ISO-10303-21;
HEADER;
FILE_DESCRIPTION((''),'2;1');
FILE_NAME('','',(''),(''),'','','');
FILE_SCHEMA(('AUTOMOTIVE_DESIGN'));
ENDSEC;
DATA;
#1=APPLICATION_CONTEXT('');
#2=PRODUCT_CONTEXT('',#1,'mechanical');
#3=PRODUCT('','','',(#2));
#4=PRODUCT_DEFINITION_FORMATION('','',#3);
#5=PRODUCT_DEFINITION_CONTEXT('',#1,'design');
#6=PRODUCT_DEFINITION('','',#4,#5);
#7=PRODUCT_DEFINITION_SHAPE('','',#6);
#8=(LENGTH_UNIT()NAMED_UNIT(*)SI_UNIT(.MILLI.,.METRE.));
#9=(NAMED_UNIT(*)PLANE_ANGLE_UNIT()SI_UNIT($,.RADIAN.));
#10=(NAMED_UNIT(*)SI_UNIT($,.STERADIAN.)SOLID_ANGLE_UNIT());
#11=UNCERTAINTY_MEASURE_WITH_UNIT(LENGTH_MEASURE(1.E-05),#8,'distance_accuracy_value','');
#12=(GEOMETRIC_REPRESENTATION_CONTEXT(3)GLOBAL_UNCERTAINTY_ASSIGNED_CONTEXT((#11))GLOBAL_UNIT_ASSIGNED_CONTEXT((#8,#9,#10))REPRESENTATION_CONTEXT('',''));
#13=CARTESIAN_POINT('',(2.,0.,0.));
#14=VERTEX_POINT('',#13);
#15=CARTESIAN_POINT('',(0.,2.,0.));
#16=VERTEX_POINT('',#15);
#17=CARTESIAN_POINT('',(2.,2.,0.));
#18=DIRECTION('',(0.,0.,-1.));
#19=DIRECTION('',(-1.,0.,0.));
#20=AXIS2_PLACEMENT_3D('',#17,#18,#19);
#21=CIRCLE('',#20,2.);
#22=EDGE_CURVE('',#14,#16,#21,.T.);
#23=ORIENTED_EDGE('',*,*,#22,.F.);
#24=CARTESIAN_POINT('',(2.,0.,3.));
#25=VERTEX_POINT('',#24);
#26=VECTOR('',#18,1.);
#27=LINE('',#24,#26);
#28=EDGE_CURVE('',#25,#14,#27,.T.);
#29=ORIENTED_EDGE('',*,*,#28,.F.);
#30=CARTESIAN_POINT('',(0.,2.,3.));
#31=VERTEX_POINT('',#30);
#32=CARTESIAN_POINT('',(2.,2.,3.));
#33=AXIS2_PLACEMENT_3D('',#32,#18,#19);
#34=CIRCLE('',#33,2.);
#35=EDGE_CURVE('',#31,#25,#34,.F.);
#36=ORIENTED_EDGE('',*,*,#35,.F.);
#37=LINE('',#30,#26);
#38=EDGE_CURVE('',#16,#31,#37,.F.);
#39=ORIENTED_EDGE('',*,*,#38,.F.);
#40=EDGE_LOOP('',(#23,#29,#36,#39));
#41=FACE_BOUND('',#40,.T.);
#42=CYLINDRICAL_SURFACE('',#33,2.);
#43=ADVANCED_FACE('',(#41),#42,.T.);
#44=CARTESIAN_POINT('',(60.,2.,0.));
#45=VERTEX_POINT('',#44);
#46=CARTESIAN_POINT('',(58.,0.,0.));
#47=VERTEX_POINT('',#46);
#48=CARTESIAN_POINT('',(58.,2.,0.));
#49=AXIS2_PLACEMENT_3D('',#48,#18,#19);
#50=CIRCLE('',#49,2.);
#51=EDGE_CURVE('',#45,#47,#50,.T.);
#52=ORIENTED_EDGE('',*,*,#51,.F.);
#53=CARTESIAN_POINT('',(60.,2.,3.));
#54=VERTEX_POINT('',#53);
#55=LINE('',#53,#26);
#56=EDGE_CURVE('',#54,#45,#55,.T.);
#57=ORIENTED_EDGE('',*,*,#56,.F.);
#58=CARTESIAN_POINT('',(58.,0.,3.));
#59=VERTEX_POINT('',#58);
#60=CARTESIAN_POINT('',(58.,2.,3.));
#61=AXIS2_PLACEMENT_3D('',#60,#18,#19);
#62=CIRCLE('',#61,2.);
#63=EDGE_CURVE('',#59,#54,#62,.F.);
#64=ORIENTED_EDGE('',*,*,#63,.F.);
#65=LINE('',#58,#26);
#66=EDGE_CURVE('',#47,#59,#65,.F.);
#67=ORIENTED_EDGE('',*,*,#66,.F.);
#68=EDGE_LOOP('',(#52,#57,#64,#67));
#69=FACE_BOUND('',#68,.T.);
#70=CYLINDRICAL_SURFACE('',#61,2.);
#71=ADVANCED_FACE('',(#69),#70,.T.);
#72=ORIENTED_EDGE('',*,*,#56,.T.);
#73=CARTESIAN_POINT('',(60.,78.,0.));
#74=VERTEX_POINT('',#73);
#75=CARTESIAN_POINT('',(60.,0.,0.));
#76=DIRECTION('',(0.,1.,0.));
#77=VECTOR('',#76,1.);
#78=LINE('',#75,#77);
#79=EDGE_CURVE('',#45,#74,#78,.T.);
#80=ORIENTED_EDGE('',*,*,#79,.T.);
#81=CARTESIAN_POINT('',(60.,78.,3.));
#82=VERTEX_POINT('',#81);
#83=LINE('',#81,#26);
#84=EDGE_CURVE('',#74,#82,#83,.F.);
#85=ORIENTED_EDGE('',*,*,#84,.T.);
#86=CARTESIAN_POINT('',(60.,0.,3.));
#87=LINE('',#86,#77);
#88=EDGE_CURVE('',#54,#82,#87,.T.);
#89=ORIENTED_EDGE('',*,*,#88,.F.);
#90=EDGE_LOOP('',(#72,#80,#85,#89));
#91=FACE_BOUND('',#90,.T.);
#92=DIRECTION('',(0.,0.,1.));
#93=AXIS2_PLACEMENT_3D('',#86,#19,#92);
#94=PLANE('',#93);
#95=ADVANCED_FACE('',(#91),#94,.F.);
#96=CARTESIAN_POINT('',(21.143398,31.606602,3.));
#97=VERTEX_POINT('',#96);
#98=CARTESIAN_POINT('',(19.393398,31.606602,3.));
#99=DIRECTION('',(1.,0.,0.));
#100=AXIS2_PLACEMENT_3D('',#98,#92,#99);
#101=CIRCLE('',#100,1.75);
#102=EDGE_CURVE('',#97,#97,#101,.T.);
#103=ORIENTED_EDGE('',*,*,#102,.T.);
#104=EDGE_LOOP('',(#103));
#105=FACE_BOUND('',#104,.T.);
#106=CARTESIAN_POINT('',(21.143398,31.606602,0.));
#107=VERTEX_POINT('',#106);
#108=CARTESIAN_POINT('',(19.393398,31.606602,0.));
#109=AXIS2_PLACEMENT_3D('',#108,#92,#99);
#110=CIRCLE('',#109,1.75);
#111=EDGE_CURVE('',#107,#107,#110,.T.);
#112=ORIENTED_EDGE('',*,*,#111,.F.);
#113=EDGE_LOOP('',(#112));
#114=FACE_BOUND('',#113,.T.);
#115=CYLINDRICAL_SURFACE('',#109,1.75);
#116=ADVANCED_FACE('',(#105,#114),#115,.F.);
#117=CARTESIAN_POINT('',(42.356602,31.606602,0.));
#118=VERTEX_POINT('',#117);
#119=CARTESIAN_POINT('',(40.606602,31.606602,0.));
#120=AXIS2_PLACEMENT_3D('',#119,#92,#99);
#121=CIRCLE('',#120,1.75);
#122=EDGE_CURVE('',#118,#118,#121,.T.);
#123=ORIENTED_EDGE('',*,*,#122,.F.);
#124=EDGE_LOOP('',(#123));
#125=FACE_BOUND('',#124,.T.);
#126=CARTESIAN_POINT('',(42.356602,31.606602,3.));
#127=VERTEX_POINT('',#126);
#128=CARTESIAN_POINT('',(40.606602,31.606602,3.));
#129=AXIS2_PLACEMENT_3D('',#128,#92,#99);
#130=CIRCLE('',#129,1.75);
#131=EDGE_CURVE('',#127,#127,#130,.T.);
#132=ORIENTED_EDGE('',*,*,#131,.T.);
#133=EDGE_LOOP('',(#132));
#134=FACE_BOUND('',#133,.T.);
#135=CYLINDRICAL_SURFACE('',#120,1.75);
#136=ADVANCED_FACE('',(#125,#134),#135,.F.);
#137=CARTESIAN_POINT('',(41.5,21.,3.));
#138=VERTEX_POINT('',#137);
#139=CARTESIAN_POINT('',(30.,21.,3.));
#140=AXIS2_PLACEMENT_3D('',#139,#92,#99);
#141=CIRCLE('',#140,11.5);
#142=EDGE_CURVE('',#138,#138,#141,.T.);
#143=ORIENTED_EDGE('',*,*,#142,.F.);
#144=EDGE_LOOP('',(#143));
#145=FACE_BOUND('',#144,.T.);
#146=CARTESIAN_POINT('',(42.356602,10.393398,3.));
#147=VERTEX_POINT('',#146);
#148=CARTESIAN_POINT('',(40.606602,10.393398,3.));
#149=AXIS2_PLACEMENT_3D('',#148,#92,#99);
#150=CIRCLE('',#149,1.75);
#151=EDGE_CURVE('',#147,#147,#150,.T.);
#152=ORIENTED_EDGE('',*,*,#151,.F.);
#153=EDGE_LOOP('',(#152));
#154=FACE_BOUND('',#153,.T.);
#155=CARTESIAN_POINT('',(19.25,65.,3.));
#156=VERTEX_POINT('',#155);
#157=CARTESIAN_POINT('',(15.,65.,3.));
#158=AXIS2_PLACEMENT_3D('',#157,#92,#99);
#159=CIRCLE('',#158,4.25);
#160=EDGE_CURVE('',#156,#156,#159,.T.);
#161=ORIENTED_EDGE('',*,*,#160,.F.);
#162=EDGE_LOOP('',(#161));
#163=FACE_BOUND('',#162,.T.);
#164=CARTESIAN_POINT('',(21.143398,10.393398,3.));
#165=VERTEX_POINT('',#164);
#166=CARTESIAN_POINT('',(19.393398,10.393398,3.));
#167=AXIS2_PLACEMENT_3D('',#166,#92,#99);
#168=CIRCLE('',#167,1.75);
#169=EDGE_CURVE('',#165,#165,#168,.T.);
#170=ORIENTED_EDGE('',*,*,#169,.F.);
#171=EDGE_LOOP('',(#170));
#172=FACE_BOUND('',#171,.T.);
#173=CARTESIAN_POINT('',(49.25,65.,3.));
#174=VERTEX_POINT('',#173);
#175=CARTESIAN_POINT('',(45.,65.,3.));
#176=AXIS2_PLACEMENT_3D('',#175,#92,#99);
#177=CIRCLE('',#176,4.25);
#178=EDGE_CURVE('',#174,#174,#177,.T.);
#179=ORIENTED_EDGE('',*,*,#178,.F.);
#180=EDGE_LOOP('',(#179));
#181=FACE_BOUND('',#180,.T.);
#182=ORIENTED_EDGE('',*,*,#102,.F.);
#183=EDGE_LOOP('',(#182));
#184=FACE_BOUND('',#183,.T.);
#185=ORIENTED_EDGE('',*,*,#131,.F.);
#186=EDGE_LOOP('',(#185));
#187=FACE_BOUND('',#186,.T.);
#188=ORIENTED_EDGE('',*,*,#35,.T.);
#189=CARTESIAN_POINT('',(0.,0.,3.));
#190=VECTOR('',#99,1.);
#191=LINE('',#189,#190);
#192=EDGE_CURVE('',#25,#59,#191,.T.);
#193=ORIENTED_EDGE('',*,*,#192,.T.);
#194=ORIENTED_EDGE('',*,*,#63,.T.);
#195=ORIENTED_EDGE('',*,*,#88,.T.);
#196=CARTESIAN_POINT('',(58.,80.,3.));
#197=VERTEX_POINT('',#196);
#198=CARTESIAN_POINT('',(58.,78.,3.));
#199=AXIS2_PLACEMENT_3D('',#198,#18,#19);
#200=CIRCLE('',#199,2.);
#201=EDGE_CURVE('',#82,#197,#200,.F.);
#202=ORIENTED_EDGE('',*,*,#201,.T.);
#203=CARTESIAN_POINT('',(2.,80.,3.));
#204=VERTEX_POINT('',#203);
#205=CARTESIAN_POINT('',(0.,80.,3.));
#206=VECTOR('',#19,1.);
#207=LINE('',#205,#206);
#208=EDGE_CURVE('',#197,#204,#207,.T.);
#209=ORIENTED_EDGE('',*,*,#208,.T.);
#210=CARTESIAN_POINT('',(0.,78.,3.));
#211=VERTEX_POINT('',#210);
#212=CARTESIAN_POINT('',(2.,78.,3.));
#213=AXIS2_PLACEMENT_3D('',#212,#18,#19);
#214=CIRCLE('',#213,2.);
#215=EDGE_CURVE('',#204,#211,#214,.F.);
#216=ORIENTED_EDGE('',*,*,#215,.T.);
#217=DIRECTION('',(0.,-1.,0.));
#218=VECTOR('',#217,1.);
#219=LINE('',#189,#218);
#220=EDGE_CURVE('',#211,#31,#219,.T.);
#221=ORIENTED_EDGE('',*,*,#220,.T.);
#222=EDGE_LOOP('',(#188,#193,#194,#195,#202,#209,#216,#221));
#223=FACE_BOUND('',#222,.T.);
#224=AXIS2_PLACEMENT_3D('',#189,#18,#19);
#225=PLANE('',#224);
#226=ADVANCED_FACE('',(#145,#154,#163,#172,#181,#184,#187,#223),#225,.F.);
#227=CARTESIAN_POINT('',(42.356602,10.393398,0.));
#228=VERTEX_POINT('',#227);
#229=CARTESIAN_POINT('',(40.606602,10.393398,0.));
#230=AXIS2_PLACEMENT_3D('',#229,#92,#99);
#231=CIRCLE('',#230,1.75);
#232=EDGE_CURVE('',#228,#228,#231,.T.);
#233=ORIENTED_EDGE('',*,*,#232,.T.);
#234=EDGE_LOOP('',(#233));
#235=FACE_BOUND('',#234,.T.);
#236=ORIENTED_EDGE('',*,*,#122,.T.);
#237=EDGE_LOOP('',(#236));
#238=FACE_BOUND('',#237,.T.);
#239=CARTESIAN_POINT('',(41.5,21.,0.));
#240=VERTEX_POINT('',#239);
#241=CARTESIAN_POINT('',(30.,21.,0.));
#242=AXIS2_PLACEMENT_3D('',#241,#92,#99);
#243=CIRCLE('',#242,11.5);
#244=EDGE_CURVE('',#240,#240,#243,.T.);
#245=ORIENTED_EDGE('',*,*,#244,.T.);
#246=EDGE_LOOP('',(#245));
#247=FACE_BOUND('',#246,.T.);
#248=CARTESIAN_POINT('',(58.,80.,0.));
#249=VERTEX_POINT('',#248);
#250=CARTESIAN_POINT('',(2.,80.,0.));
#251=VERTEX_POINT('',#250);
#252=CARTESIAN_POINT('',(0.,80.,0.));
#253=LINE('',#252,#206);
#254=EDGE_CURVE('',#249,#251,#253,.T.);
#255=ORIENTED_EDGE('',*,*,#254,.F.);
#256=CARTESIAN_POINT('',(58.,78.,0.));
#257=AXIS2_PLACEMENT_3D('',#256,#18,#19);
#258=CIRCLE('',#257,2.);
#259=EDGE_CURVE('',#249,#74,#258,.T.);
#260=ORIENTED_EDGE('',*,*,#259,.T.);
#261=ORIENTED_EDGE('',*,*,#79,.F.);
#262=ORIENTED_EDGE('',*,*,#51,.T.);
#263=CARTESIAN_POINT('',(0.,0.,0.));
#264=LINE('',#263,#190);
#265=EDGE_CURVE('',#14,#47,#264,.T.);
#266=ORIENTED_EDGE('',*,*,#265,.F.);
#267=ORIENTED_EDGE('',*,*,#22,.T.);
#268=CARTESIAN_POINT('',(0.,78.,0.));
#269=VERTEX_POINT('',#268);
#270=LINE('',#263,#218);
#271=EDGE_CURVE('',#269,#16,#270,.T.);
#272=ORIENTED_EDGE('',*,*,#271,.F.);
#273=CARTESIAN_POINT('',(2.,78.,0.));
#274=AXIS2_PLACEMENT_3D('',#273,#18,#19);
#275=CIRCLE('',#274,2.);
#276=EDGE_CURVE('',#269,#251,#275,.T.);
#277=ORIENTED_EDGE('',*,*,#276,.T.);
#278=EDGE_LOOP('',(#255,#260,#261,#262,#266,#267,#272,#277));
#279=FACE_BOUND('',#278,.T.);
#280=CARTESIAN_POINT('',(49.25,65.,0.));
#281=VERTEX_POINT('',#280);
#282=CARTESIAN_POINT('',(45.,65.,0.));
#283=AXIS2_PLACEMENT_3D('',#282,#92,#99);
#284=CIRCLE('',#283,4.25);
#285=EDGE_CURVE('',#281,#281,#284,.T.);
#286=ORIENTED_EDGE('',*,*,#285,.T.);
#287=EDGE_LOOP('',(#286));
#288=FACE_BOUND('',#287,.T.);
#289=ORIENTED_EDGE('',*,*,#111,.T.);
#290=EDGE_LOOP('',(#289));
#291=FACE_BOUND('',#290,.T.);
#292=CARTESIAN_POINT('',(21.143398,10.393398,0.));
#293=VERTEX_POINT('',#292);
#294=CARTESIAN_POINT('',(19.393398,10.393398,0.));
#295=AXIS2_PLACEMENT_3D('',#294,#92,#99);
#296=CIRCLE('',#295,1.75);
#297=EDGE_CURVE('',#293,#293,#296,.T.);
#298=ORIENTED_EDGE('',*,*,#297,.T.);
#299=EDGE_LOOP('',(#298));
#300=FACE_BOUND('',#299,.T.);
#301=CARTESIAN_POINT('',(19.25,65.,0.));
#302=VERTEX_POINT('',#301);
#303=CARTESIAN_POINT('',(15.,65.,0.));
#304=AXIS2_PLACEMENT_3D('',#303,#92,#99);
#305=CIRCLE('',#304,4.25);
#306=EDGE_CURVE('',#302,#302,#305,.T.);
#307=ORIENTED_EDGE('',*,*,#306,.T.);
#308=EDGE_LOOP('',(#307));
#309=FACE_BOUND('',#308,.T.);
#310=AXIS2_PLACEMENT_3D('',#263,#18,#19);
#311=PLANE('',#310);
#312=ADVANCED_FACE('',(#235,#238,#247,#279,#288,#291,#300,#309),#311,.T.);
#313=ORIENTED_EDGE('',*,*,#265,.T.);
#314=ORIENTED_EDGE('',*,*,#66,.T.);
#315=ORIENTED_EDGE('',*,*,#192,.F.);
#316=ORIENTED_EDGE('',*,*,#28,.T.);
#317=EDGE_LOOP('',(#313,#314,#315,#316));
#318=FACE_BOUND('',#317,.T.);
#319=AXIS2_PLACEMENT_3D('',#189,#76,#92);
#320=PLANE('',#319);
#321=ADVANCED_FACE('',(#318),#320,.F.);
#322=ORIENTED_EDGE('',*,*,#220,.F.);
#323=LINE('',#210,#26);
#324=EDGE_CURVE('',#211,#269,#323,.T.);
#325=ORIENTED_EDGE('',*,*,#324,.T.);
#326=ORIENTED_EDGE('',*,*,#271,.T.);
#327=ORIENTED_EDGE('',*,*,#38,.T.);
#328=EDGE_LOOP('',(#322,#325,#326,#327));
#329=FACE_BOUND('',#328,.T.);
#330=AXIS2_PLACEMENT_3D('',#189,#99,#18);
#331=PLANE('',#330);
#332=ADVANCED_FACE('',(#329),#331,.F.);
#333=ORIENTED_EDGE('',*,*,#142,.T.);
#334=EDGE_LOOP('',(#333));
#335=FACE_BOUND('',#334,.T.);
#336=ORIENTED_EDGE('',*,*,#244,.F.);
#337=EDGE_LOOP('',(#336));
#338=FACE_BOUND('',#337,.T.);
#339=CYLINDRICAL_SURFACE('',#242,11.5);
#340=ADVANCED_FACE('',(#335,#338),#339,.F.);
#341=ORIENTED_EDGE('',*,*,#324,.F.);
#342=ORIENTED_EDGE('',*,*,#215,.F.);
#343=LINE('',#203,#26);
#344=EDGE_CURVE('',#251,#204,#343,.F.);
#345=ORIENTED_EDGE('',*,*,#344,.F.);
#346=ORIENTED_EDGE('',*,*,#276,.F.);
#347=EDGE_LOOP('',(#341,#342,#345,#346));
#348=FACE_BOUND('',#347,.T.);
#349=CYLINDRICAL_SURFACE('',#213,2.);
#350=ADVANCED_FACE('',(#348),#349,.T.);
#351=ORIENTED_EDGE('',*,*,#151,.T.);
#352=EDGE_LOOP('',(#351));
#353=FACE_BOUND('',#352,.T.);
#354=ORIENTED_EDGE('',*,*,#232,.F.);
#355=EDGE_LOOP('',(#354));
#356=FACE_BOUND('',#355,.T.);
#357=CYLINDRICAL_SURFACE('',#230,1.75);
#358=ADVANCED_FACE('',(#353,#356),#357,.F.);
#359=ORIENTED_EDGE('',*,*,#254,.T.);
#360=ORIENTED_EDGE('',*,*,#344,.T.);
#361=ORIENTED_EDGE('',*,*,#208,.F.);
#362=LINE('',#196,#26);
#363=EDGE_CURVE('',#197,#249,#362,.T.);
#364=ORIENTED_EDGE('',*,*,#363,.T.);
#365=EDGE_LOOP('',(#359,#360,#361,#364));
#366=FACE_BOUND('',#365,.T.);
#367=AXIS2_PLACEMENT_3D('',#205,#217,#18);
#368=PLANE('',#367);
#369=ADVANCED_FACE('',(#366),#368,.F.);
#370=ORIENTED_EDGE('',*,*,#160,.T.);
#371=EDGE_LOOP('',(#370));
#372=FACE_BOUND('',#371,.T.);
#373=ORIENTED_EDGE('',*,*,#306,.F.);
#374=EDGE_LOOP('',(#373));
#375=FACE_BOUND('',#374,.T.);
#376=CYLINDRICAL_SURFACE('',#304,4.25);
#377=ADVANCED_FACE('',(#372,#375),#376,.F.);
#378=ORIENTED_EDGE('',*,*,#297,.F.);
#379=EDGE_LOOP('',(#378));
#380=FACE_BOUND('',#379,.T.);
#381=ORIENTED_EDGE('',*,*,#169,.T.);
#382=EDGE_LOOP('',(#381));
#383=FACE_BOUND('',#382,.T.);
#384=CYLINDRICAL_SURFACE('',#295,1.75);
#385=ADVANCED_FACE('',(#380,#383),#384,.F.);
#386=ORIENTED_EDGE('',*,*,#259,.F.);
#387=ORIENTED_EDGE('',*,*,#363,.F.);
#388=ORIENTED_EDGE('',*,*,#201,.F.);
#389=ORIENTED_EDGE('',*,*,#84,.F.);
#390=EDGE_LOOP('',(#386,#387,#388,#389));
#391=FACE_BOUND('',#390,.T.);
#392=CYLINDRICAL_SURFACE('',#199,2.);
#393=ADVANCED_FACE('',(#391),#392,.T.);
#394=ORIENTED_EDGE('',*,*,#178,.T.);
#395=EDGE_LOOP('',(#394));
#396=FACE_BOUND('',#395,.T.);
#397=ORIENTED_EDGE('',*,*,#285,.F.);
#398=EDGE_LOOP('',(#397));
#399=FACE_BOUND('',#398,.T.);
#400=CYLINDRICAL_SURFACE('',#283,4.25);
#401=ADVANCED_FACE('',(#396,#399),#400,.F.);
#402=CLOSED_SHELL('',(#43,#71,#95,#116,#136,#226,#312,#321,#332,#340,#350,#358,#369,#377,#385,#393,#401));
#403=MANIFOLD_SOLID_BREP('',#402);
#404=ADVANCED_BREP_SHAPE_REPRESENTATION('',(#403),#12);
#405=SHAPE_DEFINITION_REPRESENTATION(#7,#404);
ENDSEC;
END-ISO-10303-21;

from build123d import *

# Parameters (mm, degrees)
SKETCH_1_W          = 60
SKETCH_1_H          = 80
EXTRUDE_1_DEPTH     = 3
SKETCH_2_R          = 11.5
SKETCH_2_R_2        = 1.75
SKETCH_2_R_3        = 4.25
CUT_EXTRUDE_1_DEPTH = 4
FILLET_1_R          = 2


with BuildPart() as part:
    # 草图1 → 凸台-拉伸1 (new body)
    with BuildSketch(Plane.XY):
        with Locations((30, 40)):
            Rectangle(SKETCH_1_W, SKETCH_1_H)
    extrude(amount=EXTRUDE_1_DEPTH)

    # 草图2 → 切除-拉伸1 (cut, through all)
    with BuildSketch(Plane.XY.offset(3)):
        with Locations((30, 21)):
            Circle(SKETCH_2_R)
        with Locations((19.393398282, 31.606601718)):
            Circle(SKETCH_2_R_2)
        with Locations((40.606601718, 31.606601718)):
            Circle(SKETCH_2_R_2)
        with Locations((40.606601718, 10.393398282)):
            Circle(SKETCH_2_R_2)
        with Locations((19.393398282, 10.393398282)):
            Circle(SKETCH_2_R_2)
        with Locations((15, 65)):
            Circle(SKETCH_2_R_3)
        with Locations((45, 65)):
            Circle(SKETCH_2_R_3)
    extrude(amount=-CUT_EXTRUDE_1_DEPTH, mode=Mode.SUBTRACT)

    # 圆角1
    fillet_1_edges = [part.edges().sort_by_distance(p)[0] for p in [
        (0, 80, 1.5),
        (60, 80, 1.5),
        (60, 0, 1.5),
        (0, 0, 1.5),
    ]]
    fillet(fillet_1_edges, radius=FILLET_1_R)


solid = part.part
